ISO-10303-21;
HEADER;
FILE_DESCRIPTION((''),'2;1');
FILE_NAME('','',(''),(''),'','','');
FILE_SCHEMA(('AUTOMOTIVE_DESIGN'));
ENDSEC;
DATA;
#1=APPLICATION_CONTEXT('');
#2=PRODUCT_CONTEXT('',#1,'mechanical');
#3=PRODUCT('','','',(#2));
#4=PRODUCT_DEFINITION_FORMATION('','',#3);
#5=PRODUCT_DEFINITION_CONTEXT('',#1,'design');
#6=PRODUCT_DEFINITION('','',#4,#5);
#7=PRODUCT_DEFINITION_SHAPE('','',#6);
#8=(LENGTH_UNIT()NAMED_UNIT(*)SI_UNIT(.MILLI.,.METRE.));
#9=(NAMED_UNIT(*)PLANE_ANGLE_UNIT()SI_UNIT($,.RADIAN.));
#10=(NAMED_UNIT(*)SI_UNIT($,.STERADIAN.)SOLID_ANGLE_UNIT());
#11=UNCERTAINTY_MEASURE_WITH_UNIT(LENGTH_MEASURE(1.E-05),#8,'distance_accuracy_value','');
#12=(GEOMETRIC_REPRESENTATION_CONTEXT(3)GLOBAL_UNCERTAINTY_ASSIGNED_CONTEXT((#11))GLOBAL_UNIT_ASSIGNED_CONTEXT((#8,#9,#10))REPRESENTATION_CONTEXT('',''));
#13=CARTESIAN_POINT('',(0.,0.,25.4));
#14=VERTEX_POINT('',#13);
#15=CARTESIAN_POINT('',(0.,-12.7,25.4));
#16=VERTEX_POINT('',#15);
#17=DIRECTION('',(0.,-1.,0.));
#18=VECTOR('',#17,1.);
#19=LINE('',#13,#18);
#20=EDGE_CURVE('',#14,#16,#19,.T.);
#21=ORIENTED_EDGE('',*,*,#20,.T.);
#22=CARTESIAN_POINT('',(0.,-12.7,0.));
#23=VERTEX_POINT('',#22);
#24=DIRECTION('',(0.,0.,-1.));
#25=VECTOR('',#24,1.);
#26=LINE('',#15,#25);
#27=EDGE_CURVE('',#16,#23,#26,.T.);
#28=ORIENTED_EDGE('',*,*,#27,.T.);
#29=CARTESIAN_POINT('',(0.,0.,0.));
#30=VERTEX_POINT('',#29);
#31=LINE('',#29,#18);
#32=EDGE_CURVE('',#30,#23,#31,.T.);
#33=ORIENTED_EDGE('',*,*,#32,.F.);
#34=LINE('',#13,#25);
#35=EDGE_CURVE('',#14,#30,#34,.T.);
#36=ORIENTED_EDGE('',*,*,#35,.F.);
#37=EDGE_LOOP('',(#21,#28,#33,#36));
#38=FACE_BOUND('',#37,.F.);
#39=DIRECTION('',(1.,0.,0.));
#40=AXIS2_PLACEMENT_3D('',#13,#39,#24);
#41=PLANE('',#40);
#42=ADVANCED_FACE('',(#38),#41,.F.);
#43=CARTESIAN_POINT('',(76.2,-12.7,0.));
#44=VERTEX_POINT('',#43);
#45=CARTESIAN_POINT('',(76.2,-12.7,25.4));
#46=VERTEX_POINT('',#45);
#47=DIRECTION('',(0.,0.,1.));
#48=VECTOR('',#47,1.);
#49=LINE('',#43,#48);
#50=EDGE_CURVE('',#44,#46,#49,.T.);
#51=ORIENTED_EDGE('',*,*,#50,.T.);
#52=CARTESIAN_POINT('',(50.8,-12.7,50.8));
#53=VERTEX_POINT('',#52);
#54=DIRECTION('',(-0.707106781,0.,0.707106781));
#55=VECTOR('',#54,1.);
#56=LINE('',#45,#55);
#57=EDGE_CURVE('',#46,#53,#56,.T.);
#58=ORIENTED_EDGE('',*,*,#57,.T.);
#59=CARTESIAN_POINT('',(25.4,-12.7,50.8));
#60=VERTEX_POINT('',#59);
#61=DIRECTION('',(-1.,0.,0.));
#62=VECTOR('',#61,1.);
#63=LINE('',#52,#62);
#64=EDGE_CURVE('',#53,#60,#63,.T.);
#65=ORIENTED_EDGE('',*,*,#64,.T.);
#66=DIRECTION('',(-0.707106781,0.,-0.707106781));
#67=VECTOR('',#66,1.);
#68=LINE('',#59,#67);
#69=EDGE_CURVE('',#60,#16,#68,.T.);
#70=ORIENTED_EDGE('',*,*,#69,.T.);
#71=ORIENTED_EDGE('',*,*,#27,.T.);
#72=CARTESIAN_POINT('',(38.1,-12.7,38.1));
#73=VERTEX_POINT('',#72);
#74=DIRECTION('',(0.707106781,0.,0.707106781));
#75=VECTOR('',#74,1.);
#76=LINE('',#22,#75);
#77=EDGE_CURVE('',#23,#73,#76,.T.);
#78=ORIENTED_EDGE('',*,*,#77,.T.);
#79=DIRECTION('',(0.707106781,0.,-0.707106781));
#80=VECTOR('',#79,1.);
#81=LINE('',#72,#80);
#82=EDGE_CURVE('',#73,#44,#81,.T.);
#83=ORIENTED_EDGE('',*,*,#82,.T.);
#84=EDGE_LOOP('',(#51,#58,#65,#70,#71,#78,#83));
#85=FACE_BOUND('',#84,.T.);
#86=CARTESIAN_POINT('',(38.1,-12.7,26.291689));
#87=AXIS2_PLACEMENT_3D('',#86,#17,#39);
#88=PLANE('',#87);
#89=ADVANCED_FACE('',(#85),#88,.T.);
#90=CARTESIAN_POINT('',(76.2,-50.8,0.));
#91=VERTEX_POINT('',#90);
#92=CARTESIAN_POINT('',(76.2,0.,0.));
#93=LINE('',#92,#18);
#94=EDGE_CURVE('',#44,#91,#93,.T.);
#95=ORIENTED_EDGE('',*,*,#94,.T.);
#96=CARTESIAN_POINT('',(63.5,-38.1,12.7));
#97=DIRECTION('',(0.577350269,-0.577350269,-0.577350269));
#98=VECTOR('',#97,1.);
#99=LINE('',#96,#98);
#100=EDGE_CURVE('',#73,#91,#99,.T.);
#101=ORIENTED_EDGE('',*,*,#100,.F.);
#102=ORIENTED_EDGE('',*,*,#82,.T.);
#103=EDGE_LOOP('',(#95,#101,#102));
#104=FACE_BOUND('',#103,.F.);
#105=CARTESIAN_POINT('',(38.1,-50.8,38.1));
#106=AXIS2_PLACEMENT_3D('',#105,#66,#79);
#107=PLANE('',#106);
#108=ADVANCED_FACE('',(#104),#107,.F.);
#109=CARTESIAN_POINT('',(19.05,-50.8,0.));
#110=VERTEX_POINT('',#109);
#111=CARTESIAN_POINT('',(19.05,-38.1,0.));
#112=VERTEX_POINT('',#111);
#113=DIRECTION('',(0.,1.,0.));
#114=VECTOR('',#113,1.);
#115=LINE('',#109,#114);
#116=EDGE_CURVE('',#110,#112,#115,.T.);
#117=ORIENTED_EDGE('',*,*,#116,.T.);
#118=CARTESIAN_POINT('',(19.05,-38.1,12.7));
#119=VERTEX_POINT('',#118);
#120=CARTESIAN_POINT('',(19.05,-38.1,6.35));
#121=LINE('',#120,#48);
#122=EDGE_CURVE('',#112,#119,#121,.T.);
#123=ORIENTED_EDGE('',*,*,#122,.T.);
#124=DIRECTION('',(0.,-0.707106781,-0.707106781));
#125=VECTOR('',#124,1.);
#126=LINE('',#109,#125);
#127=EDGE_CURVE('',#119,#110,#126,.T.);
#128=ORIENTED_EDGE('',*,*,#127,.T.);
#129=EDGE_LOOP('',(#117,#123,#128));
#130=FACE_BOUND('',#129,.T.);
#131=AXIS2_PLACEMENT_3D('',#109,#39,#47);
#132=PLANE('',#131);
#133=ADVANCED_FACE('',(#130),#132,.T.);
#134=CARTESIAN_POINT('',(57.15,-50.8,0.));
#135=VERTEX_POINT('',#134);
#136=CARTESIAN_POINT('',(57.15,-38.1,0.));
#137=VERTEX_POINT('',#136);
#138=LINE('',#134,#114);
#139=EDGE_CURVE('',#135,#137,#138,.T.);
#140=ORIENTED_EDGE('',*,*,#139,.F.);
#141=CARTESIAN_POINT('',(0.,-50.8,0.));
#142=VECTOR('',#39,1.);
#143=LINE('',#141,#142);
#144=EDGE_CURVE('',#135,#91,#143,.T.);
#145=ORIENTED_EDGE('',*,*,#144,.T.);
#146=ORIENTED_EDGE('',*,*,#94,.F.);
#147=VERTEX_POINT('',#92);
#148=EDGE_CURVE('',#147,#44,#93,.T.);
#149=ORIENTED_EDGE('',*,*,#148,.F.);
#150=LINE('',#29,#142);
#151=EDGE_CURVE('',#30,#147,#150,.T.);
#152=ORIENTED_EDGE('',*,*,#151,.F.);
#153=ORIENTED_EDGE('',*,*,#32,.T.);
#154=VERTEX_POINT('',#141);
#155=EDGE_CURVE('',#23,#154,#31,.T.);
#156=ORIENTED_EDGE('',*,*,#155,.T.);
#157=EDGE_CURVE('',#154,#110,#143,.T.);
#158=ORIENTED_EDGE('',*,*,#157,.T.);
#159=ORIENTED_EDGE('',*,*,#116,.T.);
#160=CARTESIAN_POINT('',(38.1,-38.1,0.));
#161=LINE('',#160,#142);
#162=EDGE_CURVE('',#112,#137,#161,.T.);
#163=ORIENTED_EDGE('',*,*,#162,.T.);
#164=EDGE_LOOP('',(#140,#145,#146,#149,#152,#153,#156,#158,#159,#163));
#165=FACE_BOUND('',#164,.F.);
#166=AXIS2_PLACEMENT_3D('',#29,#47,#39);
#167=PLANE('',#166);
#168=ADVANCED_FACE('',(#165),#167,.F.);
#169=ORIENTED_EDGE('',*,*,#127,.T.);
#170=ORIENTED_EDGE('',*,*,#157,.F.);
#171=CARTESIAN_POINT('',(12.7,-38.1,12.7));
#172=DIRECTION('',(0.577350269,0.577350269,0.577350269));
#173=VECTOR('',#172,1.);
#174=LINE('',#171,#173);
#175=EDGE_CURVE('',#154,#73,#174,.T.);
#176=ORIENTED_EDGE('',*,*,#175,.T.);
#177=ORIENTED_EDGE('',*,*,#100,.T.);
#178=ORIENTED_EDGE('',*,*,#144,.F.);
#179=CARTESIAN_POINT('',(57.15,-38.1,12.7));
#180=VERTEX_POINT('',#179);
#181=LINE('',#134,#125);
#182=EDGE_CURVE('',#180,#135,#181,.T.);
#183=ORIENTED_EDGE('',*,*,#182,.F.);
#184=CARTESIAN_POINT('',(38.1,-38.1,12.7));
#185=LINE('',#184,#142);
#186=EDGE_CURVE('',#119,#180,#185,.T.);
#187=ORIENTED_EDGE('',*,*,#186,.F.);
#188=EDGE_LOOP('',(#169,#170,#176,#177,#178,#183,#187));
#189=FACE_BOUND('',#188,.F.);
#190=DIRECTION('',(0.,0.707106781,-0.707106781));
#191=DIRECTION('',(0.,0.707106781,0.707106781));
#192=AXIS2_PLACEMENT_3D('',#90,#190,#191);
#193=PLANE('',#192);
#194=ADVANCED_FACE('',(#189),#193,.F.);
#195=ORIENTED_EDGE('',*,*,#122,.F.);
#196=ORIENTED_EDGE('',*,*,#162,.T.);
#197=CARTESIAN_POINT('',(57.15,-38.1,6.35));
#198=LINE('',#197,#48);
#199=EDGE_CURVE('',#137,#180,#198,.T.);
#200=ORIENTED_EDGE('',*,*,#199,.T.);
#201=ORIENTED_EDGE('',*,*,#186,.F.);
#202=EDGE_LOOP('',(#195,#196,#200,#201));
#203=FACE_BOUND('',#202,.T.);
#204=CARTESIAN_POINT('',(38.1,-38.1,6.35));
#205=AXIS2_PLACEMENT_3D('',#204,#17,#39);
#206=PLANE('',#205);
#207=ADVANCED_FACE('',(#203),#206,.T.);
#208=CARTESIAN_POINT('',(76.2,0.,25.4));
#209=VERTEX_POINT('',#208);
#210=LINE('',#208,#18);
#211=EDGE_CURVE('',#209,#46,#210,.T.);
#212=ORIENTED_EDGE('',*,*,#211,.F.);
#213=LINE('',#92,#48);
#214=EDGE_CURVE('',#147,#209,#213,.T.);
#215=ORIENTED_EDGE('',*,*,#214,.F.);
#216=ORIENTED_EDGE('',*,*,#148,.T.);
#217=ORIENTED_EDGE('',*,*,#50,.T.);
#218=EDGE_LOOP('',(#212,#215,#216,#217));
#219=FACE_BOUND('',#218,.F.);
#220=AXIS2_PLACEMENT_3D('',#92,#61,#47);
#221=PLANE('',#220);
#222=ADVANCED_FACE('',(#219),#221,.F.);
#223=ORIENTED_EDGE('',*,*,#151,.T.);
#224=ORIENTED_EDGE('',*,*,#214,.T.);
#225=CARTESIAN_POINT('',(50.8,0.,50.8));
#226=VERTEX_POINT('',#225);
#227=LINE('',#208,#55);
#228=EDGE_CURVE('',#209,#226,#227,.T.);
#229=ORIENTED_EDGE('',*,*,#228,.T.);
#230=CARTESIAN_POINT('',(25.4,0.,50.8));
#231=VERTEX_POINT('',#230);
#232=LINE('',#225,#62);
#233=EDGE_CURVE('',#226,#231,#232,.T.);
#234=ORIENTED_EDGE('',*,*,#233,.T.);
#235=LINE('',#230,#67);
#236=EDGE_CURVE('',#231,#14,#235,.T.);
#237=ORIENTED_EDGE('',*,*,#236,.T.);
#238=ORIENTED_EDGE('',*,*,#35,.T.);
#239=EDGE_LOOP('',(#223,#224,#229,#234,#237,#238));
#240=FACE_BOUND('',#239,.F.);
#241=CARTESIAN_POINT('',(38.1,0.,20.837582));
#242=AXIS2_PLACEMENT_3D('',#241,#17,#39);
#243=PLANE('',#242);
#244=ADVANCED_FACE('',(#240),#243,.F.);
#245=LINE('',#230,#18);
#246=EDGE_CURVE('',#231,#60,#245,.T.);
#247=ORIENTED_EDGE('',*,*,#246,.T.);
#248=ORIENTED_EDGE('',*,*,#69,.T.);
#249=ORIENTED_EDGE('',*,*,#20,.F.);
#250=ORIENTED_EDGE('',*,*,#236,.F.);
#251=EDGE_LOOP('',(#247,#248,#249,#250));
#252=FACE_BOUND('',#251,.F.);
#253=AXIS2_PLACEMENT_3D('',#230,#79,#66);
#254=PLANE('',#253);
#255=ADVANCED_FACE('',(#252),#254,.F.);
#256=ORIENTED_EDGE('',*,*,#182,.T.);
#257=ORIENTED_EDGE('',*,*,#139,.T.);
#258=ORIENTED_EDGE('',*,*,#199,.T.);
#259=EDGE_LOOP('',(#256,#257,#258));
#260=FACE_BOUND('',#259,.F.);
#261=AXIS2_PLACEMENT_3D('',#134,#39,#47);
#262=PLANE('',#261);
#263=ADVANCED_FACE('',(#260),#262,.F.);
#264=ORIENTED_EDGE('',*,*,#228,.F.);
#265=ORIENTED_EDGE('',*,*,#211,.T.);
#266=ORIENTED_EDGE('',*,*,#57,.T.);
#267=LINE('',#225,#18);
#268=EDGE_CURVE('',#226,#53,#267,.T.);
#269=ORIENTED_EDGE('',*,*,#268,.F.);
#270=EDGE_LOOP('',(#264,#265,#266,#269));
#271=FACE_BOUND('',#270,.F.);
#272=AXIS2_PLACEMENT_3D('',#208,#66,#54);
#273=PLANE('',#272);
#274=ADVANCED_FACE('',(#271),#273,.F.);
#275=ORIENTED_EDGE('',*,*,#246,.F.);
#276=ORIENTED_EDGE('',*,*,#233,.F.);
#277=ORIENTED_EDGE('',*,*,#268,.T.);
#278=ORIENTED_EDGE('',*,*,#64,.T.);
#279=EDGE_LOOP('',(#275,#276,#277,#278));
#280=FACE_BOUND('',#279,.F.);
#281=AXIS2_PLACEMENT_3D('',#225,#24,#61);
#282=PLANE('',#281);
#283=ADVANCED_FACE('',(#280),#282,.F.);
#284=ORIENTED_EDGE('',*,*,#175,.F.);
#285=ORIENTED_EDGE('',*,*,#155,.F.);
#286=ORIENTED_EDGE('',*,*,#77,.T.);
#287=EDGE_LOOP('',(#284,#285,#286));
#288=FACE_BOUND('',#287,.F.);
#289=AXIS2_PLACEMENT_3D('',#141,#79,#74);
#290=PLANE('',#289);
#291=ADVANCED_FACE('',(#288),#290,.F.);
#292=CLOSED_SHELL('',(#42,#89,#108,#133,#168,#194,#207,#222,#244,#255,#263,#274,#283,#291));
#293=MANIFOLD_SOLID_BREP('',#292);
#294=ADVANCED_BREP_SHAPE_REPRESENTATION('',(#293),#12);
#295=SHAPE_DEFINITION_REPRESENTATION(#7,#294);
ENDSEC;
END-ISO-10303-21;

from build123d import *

# Parameters (mm, degrees)
F1_DEPTH = 50.8
F3_DEPTH = 38.1
F5_DEPTH = 76.2
F2_W     = 38.1
F2_H     = 12.7
F6_DEPTH = 12.7


with BuildPart() as f1:
    # F0 (on Front) → F1 (new body)
    with BuildSketch(Plane.XZ):
        Polygon((0, 25.4), (0, 0), (76.2, 0), (76.2, 25.4), (50.8, 50.8), (25.4, 50.8), align=None)
    extrude(amount=F1_DEPTH)

    # F2 (on face) → F3 (cut)
    with BuildSketch(Plane.XZ.offset(50.8)):
        Polygon((0, 25.4), (0, 0), (38.1, 38.1), (76.2, 0), (76.2, 25.4), (50.8, 50.8), (25.4, 50.8), align=None)
    extrude(amount=-F3_DEPTH, mode=Mode.SUBTRACT)

    # F4 (on face) → F5 (cut)
    with BuildSketch(Plane.YZ.offset(76.2)):
        Polygon((-50.8, 38.1), (-50.8, 0), (-12.7, 38.1), align=None)
    extrude(amount=-F5_DEPTH, mode=Mode.SUBTRACT)

    # F2 (on face) → F6 (cut)
    with BuildSketch(Plane.XZ.offset(50.8)):
        with Locations((38.1, 6.35)):
            Rectangle(F2_W, F2_H)
    extrude(amount=-F6_DEPTH, mode=Mode.SUBTRACT)


solid = f1.part
